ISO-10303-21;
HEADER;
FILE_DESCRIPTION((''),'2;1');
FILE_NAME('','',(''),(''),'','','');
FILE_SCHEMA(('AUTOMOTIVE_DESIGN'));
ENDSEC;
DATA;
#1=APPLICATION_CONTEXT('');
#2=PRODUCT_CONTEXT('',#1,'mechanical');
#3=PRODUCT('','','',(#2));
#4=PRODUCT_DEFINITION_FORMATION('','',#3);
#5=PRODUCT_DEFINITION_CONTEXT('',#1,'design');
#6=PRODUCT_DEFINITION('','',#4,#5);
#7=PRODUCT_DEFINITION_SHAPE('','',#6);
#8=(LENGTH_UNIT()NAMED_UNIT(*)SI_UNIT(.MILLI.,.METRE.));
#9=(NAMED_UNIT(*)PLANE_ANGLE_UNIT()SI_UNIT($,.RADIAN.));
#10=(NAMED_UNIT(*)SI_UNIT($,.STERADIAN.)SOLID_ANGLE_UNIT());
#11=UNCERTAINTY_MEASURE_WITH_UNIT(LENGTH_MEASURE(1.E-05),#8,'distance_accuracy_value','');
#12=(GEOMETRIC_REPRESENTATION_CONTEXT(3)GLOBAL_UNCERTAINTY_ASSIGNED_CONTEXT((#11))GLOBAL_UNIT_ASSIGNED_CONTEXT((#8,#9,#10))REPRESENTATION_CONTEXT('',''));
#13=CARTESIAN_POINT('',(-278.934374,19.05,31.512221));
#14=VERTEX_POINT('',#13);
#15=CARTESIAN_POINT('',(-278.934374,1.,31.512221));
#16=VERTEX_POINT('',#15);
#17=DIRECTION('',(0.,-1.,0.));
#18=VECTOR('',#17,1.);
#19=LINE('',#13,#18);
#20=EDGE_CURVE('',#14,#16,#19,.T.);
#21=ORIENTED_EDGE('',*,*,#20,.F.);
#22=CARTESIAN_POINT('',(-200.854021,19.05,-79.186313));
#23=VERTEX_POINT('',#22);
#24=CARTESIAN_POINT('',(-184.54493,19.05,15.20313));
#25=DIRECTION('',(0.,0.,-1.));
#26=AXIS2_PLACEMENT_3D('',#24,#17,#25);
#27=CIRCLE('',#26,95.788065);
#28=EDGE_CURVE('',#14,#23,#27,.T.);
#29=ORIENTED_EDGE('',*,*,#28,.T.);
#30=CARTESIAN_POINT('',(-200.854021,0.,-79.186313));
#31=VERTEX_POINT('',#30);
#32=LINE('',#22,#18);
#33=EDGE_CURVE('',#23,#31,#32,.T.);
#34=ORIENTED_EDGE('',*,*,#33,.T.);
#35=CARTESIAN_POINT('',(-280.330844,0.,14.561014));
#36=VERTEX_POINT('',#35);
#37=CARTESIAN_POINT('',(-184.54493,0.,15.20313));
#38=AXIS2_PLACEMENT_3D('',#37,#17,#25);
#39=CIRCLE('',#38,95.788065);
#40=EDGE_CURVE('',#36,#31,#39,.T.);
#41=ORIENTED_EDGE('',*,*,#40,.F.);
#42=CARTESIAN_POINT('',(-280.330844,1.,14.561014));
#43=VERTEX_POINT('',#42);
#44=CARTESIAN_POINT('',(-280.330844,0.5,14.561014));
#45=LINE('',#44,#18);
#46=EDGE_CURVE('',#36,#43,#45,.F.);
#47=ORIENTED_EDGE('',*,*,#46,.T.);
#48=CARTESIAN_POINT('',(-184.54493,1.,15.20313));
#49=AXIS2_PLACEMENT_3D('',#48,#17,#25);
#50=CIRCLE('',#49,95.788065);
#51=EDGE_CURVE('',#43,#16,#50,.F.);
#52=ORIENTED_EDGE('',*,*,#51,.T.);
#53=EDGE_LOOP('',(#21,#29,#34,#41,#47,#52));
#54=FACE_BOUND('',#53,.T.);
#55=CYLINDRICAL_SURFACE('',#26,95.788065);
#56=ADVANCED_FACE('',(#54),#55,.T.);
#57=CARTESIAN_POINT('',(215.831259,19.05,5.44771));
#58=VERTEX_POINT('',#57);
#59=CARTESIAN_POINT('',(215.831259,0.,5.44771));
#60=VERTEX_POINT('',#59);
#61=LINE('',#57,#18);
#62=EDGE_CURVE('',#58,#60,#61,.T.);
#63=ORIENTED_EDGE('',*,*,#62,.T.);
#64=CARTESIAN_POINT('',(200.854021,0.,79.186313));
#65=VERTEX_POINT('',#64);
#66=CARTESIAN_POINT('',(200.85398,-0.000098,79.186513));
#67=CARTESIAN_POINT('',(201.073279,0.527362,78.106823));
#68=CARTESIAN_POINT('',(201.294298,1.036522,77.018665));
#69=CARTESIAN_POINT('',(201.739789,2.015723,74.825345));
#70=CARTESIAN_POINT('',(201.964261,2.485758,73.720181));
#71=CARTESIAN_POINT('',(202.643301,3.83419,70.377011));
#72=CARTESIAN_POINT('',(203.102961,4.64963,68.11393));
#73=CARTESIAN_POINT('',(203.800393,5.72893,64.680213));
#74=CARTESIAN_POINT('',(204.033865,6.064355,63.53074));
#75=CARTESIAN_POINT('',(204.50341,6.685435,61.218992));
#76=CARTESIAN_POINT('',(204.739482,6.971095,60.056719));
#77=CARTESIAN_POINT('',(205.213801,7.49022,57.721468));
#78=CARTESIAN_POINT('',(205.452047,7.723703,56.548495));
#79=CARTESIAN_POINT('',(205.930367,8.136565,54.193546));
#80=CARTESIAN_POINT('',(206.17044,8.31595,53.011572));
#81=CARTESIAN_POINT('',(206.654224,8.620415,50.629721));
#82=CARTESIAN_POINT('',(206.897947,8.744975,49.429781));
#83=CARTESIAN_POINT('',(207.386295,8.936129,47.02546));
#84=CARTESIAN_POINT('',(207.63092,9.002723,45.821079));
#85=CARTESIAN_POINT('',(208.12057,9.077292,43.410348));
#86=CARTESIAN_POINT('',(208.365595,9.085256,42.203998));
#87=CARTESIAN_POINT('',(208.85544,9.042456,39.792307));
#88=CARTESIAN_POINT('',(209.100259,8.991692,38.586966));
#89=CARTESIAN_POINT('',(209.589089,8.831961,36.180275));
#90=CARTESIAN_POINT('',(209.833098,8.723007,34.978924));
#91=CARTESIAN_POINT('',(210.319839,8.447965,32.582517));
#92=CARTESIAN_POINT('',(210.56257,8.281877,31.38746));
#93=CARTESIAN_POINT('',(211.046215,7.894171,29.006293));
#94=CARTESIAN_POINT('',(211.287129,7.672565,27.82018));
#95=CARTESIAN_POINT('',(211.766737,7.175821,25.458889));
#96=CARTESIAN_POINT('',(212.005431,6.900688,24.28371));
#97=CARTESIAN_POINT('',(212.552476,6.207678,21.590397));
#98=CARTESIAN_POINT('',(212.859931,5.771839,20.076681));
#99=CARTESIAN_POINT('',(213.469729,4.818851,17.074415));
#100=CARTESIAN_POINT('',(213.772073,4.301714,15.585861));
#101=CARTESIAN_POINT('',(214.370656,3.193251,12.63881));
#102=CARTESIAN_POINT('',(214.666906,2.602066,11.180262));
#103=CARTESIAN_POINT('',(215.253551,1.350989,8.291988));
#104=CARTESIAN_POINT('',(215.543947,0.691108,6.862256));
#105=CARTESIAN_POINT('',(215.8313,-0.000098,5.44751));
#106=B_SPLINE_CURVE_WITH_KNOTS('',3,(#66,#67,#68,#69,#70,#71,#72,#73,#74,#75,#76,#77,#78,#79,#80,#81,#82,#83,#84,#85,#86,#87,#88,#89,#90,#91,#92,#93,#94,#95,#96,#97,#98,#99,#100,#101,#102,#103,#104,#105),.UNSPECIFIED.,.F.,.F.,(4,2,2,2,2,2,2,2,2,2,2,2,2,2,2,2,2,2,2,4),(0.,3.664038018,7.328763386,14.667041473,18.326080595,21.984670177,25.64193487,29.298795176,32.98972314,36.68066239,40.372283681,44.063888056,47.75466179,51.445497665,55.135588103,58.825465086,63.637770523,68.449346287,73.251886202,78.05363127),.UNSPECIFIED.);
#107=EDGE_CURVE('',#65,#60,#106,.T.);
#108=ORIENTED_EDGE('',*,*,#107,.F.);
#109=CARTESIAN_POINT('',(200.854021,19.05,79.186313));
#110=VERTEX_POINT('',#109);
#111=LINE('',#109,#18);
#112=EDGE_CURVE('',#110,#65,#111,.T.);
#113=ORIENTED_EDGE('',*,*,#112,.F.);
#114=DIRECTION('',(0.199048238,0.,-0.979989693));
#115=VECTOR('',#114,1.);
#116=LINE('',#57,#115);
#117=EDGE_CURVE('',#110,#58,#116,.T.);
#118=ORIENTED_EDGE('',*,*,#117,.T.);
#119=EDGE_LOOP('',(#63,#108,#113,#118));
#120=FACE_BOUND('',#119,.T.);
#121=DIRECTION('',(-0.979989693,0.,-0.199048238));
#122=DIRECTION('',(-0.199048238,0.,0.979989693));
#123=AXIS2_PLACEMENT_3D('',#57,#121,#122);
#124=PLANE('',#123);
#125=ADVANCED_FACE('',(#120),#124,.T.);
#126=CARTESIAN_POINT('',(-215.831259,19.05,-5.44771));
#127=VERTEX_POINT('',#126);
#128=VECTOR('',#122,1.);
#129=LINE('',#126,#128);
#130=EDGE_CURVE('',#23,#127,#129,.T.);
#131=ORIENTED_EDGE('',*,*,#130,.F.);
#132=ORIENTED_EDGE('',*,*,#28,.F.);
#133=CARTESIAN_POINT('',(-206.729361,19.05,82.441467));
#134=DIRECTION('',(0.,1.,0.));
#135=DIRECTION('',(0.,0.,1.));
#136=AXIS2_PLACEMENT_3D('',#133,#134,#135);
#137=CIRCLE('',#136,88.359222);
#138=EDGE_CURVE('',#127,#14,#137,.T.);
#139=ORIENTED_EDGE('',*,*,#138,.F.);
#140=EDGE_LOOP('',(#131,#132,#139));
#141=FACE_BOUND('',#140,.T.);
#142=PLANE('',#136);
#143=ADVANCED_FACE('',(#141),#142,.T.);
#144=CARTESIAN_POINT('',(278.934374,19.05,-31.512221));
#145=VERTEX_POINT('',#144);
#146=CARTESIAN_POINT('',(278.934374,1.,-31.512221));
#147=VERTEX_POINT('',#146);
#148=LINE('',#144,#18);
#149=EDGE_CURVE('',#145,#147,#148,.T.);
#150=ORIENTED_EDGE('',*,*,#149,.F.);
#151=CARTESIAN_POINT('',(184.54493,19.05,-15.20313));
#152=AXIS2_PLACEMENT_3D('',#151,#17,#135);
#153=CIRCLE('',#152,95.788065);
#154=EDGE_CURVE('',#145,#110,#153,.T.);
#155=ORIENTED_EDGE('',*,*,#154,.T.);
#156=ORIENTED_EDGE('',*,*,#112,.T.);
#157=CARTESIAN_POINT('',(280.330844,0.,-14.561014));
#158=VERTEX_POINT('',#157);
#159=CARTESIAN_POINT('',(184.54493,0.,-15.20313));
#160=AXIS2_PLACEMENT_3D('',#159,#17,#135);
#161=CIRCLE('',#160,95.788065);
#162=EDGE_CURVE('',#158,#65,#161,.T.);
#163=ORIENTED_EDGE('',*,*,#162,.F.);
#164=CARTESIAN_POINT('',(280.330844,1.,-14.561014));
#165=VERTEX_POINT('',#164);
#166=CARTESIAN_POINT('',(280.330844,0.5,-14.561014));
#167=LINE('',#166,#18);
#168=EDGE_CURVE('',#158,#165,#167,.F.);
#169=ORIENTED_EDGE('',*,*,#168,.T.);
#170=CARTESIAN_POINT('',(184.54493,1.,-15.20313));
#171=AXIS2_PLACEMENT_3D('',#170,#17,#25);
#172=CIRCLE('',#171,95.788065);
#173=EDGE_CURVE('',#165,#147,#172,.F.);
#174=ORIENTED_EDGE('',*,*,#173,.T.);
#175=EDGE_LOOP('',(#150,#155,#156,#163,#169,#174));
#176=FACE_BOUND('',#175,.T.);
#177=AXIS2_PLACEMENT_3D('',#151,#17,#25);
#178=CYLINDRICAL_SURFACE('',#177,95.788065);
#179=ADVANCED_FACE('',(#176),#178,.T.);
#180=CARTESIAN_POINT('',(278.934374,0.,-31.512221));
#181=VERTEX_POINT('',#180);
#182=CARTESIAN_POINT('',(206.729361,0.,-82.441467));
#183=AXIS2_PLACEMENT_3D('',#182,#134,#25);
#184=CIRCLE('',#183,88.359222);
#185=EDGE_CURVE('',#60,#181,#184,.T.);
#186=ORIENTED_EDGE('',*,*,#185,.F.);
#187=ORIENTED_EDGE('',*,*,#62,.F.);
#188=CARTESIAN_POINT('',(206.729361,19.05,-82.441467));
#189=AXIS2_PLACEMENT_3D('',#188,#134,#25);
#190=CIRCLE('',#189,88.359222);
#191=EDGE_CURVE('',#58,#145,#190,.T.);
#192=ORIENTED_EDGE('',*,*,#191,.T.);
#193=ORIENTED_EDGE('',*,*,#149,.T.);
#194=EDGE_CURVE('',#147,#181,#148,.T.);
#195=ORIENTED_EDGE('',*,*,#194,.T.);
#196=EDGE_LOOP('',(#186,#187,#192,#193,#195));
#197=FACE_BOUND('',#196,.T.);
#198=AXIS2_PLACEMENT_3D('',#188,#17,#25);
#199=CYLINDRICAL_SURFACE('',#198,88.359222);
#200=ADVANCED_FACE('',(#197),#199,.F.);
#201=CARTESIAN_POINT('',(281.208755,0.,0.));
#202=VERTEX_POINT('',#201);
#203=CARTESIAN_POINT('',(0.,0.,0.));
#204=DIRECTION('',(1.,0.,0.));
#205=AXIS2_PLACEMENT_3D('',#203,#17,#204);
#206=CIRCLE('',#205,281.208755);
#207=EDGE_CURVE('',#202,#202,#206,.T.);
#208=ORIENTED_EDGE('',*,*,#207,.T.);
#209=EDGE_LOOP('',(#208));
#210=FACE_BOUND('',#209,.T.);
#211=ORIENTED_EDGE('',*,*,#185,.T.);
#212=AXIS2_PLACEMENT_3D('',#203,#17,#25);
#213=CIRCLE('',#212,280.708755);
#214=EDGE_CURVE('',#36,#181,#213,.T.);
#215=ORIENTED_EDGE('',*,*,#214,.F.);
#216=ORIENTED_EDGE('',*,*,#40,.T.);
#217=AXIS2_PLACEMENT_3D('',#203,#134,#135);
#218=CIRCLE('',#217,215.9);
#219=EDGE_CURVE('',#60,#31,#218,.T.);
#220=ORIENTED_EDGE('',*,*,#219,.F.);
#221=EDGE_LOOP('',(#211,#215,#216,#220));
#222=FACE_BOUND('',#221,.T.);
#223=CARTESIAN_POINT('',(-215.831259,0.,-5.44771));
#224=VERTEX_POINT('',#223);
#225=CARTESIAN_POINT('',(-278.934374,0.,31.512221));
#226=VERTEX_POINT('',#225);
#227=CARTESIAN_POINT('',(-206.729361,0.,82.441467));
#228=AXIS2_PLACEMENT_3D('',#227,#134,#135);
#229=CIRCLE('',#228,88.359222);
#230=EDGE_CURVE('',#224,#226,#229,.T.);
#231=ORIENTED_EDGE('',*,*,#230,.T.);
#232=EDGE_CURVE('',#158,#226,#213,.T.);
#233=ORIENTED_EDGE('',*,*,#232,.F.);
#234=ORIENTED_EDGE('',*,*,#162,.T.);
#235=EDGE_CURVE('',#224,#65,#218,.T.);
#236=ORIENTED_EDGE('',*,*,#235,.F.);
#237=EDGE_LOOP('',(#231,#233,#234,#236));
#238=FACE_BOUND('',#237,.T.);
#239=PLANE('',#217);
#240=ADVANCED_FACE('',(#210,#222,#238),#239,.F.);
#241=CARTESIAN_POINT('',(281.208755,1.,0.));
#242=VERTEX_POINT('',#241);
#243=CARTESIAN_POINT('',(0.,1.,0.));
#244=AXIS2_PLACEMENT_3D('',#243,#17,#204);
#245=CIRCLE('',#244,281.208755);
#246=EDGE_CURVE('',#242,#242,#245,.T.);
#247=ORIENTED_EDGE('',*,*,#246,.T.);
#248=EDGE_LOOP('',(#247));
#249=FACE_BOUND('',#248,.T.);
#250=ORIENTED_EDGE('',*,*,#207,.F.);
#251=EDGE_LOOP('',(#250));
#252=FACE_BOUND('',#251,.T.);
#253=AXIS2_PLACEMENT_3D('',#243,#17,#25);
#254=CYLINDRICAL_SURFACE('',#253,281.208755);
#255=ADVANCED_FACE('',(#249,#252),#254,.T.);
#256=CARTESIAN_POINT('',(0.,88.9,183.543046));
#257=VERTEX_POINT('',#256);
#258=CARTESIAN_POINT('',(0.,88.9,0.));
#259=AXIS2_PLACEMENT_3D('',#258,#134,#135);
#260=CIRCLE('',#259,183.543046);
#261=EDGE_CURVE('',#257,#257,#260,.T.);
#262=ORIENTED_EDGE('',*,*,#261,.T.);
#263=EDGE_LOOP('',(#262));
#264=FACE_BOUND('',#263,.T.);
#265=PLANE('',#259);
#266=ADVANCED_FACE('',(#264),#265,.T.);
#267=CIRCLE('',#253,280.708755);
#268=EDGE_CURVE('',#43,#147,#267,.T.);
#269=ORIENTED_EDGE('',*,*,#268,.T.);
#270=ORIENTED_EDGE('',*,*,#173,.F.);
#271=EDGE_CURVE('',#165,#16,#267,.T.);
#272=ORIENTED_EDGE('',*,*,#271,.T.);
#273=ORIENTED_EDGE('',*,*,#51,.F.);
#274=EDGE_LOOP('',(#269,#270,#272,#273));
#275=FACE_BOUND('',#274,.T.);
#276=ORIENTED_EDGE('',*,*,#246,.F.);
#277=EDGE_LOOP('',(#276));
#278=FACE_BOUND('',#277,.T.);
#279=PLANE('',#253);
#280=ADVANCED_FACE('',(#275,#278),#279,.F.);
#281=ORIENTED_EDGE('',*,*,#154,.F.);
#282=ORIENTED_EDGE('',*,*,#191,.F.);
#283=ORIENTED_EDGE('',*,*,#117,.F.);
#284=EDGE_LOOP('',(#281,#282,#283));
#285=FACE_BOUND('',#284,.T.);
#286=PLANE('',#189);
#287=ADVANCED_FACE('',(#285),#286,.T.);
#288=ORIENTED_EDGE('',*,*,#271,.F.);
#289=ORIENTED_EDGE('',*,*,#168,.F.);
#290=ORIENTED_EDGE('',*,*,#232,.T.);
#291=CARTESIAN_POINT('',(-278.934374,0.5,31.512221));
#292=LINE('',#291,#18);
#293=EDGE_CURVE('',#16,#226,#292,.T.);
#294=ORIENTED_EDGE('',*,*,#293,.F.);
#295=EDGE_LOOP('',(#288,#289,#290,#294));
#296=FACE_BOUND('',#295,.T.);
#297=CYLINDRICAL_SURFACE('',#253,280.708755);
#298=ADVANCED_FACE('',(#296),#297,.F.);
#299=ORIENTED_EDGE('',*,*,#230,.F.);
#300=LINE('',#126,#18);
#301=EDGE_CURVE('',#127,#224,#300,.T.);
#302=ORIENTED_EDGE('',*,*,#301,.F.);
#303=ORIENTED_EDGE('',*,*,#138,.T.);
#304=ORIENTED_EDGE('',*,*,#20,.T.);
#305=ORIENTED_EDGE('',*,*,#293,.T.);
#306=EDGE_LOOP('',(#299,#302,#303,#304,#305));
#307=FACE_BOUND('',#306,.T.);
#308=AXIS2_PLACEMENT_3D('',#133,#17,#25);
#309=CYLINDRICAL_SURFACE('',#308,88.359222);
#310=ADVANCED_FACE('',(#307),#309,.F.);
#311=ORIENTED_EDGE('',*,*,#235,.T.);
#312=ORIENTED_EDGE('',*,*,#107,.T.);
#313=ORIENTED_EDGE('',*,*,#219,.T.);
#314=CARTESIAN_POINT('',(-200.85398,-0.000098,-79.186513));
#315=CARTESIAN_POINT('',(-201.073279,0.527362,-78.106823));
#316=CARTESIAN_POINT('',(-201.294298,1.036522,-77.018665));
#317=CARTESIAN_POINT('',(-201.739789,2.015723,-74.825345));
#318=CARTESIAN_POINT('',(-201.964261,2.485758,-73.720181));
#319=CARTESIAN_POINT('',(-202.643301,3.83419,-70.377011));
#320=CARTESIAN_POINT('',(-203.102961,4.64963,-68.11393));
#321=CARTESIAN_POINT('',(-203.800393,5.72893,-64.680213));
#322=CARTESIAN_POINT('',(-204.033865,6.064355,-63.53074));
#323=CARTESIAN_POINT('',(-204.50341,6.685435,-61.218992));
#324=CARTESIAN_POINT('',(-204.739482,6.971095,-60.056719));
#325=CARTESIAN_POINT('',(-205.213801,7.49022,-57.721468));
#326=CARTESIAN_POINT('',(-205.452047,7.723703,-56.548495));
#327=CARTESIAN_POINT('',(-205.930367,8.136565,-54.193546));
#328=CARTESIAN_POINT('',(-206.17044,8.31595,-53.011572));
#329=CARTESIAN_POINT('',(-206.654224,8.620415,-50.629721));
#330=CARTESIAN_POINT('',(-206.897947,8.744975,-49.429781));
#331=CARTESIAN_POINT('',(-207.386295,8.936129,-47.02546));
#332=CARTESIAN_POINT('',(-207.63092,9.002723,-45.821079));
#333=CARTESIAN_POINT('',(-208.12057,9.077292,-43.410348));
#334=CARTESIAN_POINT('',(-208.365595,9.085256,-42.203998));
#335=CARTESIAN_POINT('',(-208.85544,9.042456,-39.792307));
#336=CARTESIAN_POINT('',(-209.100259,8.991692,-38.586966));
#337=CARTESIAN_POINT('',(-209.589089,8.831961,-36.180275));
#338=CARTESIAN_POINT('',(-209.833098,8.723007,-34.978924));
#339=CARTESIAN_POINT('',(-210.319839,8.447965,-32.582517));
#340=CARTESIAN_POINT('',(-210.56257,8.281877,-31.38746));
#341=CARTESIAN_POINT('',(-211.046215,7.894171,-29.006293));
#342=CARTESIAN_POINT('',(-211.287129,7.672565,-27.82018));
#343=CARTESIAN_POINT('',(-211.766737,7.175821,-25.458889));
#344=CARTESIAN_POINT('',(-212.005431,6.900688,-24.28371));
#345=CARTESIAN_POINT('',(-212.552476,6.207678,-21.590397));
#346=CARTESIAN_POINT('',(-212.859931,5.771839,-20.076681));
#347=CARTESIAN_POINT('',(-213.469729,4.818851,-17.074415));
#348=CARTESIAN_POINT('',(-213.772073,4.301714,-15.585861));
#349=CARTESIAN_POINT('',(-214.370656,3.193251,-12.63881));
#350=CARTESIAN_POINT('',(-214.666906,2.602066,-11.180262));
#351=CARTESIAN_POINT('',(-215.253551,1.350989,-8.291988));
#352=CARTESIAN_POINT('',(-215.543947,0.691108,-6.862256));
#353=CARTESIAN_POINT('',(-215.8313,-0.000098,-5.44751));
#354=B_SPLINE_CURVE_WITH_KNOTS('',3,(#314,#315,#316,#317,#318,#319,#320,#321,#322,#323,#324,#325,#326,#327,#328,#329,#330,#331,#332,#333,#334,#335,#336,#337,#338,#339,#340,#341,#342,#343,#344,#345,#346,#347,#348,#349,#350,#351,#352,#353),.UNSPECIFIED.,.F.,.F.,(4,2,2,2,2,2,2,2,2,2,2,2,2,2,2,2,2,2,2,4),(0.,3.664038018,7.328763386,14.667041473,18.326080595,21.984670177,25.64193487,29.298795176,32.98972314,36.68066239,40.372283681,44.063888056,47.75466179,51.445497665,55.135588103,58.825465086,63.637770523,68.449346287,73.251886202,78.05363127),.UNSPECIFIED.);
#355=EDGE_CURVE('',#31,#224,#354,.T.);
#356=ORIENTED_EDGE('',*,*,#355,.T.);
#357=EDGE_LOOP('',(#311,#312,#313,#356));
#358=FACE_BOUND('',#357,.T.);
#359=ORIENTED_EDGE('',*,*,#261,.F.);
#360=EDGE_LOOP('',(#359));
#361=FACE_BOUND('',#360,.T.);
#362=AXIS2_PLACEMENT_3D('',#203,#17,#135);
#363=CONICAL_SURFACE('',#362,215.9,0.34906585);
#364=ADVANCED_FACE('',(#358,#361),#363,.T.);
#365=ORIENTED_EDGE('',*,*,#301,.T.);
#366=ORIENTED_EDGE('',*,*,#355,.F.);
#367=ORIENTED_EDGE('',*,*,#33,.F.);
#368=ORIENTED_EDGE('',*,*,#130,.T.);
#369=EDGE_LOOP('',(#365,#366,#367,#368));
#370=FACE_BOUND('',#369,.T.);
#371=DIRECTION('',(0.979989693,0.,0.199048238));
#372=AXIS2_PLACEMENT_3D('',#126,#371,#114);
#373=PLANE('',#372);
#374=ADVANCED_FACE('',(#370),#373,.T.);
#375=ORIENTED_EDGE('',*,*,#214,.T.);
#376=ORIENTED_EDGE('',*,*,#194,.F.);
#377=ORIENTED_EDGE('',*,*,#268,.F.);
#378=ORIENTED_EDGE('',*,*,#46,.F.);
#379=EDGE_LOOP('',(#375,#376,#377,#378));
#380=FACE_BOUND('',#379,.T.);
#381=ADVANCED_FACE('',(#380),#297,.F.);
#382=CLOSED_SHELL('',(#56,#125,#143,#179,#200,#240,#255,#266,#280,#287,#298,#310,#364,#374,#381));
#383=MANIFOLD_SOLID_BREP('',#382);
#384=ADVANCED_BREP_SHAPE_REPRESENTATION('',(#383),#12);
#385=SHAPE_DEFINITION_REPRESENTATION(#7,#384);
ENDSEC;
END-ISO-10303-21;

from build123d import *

# Parameters (mm, degrees)
SKETCH1_R           = 215.9
BOSS_EXTRUDE1_DEPTH = 88.9
BOSS_EXTRUDE1_TAPER = 20
BOSS_EXTRUDE2_DEPTH = 19.05
CIRPATTERN1_COUNT   = 2
SKETCH3_R           = 281.208754883
SKETCH3_R_2         = 280.708754883
EXTRUDE_THIN1_DEPTH = 1


with BuildPart() as part:
    # Sketch1 → Boss-Extrude1 (new body)
    with BuildSketch(Plane(origin=(0, 0, 0), x_dir=(1, 0, 0), z_dir=(0, 1, 0))):
        Circle(SKETCH1_R)
    extrude(amount=BOSS_EXTRUDE1_DEPTH, taper=BOSS_EXTRUDE1_TAPER)

    # Sketch2 → Boss-Extrude2 (add)
    with BuildSketch(Plane.XZ):
        with BuildLine():
            Line((-215.83125921, -5.447710344), (-200.854021104, -79.186313252))
            ThreePointArc((-200.854021104, -79.186313252), (-262.820614641, -40.008016754), (-278.934374009, 31.512220871))
            ThreePointArc((-278.934374009, 31.512220871), (-251.385968328, 6.197520074), (-215.83125921, -5.447710344))
        make_face()
    boss_extrude2 = extrude(amount=-BOSS_EXTRUDE2_DEPTH)

    # CirPattern1: Boss-Extrude2 ×2 about axis
    cirpattern1_axis = Axis((0, 0, 0), (0, 1, 0))
    for i in range(1, CIRPATTERN1_COUNT):
        add(boss_extrude2.rotate(cirpattern1_axis, i * 360 / CIRPATTERN1_COUNT))

    # Sketch3 → Extrude-Thin1 (add)
    with BuildSketch(Plane.XZ):
        Circle(SKETCH3_R)
        Circle(SKETCH3_R_2, mode=Mode.SUBTRACT)
    extrude(amount=-EXTRUDE_THIN1_DEPTH)


solid = part.part
